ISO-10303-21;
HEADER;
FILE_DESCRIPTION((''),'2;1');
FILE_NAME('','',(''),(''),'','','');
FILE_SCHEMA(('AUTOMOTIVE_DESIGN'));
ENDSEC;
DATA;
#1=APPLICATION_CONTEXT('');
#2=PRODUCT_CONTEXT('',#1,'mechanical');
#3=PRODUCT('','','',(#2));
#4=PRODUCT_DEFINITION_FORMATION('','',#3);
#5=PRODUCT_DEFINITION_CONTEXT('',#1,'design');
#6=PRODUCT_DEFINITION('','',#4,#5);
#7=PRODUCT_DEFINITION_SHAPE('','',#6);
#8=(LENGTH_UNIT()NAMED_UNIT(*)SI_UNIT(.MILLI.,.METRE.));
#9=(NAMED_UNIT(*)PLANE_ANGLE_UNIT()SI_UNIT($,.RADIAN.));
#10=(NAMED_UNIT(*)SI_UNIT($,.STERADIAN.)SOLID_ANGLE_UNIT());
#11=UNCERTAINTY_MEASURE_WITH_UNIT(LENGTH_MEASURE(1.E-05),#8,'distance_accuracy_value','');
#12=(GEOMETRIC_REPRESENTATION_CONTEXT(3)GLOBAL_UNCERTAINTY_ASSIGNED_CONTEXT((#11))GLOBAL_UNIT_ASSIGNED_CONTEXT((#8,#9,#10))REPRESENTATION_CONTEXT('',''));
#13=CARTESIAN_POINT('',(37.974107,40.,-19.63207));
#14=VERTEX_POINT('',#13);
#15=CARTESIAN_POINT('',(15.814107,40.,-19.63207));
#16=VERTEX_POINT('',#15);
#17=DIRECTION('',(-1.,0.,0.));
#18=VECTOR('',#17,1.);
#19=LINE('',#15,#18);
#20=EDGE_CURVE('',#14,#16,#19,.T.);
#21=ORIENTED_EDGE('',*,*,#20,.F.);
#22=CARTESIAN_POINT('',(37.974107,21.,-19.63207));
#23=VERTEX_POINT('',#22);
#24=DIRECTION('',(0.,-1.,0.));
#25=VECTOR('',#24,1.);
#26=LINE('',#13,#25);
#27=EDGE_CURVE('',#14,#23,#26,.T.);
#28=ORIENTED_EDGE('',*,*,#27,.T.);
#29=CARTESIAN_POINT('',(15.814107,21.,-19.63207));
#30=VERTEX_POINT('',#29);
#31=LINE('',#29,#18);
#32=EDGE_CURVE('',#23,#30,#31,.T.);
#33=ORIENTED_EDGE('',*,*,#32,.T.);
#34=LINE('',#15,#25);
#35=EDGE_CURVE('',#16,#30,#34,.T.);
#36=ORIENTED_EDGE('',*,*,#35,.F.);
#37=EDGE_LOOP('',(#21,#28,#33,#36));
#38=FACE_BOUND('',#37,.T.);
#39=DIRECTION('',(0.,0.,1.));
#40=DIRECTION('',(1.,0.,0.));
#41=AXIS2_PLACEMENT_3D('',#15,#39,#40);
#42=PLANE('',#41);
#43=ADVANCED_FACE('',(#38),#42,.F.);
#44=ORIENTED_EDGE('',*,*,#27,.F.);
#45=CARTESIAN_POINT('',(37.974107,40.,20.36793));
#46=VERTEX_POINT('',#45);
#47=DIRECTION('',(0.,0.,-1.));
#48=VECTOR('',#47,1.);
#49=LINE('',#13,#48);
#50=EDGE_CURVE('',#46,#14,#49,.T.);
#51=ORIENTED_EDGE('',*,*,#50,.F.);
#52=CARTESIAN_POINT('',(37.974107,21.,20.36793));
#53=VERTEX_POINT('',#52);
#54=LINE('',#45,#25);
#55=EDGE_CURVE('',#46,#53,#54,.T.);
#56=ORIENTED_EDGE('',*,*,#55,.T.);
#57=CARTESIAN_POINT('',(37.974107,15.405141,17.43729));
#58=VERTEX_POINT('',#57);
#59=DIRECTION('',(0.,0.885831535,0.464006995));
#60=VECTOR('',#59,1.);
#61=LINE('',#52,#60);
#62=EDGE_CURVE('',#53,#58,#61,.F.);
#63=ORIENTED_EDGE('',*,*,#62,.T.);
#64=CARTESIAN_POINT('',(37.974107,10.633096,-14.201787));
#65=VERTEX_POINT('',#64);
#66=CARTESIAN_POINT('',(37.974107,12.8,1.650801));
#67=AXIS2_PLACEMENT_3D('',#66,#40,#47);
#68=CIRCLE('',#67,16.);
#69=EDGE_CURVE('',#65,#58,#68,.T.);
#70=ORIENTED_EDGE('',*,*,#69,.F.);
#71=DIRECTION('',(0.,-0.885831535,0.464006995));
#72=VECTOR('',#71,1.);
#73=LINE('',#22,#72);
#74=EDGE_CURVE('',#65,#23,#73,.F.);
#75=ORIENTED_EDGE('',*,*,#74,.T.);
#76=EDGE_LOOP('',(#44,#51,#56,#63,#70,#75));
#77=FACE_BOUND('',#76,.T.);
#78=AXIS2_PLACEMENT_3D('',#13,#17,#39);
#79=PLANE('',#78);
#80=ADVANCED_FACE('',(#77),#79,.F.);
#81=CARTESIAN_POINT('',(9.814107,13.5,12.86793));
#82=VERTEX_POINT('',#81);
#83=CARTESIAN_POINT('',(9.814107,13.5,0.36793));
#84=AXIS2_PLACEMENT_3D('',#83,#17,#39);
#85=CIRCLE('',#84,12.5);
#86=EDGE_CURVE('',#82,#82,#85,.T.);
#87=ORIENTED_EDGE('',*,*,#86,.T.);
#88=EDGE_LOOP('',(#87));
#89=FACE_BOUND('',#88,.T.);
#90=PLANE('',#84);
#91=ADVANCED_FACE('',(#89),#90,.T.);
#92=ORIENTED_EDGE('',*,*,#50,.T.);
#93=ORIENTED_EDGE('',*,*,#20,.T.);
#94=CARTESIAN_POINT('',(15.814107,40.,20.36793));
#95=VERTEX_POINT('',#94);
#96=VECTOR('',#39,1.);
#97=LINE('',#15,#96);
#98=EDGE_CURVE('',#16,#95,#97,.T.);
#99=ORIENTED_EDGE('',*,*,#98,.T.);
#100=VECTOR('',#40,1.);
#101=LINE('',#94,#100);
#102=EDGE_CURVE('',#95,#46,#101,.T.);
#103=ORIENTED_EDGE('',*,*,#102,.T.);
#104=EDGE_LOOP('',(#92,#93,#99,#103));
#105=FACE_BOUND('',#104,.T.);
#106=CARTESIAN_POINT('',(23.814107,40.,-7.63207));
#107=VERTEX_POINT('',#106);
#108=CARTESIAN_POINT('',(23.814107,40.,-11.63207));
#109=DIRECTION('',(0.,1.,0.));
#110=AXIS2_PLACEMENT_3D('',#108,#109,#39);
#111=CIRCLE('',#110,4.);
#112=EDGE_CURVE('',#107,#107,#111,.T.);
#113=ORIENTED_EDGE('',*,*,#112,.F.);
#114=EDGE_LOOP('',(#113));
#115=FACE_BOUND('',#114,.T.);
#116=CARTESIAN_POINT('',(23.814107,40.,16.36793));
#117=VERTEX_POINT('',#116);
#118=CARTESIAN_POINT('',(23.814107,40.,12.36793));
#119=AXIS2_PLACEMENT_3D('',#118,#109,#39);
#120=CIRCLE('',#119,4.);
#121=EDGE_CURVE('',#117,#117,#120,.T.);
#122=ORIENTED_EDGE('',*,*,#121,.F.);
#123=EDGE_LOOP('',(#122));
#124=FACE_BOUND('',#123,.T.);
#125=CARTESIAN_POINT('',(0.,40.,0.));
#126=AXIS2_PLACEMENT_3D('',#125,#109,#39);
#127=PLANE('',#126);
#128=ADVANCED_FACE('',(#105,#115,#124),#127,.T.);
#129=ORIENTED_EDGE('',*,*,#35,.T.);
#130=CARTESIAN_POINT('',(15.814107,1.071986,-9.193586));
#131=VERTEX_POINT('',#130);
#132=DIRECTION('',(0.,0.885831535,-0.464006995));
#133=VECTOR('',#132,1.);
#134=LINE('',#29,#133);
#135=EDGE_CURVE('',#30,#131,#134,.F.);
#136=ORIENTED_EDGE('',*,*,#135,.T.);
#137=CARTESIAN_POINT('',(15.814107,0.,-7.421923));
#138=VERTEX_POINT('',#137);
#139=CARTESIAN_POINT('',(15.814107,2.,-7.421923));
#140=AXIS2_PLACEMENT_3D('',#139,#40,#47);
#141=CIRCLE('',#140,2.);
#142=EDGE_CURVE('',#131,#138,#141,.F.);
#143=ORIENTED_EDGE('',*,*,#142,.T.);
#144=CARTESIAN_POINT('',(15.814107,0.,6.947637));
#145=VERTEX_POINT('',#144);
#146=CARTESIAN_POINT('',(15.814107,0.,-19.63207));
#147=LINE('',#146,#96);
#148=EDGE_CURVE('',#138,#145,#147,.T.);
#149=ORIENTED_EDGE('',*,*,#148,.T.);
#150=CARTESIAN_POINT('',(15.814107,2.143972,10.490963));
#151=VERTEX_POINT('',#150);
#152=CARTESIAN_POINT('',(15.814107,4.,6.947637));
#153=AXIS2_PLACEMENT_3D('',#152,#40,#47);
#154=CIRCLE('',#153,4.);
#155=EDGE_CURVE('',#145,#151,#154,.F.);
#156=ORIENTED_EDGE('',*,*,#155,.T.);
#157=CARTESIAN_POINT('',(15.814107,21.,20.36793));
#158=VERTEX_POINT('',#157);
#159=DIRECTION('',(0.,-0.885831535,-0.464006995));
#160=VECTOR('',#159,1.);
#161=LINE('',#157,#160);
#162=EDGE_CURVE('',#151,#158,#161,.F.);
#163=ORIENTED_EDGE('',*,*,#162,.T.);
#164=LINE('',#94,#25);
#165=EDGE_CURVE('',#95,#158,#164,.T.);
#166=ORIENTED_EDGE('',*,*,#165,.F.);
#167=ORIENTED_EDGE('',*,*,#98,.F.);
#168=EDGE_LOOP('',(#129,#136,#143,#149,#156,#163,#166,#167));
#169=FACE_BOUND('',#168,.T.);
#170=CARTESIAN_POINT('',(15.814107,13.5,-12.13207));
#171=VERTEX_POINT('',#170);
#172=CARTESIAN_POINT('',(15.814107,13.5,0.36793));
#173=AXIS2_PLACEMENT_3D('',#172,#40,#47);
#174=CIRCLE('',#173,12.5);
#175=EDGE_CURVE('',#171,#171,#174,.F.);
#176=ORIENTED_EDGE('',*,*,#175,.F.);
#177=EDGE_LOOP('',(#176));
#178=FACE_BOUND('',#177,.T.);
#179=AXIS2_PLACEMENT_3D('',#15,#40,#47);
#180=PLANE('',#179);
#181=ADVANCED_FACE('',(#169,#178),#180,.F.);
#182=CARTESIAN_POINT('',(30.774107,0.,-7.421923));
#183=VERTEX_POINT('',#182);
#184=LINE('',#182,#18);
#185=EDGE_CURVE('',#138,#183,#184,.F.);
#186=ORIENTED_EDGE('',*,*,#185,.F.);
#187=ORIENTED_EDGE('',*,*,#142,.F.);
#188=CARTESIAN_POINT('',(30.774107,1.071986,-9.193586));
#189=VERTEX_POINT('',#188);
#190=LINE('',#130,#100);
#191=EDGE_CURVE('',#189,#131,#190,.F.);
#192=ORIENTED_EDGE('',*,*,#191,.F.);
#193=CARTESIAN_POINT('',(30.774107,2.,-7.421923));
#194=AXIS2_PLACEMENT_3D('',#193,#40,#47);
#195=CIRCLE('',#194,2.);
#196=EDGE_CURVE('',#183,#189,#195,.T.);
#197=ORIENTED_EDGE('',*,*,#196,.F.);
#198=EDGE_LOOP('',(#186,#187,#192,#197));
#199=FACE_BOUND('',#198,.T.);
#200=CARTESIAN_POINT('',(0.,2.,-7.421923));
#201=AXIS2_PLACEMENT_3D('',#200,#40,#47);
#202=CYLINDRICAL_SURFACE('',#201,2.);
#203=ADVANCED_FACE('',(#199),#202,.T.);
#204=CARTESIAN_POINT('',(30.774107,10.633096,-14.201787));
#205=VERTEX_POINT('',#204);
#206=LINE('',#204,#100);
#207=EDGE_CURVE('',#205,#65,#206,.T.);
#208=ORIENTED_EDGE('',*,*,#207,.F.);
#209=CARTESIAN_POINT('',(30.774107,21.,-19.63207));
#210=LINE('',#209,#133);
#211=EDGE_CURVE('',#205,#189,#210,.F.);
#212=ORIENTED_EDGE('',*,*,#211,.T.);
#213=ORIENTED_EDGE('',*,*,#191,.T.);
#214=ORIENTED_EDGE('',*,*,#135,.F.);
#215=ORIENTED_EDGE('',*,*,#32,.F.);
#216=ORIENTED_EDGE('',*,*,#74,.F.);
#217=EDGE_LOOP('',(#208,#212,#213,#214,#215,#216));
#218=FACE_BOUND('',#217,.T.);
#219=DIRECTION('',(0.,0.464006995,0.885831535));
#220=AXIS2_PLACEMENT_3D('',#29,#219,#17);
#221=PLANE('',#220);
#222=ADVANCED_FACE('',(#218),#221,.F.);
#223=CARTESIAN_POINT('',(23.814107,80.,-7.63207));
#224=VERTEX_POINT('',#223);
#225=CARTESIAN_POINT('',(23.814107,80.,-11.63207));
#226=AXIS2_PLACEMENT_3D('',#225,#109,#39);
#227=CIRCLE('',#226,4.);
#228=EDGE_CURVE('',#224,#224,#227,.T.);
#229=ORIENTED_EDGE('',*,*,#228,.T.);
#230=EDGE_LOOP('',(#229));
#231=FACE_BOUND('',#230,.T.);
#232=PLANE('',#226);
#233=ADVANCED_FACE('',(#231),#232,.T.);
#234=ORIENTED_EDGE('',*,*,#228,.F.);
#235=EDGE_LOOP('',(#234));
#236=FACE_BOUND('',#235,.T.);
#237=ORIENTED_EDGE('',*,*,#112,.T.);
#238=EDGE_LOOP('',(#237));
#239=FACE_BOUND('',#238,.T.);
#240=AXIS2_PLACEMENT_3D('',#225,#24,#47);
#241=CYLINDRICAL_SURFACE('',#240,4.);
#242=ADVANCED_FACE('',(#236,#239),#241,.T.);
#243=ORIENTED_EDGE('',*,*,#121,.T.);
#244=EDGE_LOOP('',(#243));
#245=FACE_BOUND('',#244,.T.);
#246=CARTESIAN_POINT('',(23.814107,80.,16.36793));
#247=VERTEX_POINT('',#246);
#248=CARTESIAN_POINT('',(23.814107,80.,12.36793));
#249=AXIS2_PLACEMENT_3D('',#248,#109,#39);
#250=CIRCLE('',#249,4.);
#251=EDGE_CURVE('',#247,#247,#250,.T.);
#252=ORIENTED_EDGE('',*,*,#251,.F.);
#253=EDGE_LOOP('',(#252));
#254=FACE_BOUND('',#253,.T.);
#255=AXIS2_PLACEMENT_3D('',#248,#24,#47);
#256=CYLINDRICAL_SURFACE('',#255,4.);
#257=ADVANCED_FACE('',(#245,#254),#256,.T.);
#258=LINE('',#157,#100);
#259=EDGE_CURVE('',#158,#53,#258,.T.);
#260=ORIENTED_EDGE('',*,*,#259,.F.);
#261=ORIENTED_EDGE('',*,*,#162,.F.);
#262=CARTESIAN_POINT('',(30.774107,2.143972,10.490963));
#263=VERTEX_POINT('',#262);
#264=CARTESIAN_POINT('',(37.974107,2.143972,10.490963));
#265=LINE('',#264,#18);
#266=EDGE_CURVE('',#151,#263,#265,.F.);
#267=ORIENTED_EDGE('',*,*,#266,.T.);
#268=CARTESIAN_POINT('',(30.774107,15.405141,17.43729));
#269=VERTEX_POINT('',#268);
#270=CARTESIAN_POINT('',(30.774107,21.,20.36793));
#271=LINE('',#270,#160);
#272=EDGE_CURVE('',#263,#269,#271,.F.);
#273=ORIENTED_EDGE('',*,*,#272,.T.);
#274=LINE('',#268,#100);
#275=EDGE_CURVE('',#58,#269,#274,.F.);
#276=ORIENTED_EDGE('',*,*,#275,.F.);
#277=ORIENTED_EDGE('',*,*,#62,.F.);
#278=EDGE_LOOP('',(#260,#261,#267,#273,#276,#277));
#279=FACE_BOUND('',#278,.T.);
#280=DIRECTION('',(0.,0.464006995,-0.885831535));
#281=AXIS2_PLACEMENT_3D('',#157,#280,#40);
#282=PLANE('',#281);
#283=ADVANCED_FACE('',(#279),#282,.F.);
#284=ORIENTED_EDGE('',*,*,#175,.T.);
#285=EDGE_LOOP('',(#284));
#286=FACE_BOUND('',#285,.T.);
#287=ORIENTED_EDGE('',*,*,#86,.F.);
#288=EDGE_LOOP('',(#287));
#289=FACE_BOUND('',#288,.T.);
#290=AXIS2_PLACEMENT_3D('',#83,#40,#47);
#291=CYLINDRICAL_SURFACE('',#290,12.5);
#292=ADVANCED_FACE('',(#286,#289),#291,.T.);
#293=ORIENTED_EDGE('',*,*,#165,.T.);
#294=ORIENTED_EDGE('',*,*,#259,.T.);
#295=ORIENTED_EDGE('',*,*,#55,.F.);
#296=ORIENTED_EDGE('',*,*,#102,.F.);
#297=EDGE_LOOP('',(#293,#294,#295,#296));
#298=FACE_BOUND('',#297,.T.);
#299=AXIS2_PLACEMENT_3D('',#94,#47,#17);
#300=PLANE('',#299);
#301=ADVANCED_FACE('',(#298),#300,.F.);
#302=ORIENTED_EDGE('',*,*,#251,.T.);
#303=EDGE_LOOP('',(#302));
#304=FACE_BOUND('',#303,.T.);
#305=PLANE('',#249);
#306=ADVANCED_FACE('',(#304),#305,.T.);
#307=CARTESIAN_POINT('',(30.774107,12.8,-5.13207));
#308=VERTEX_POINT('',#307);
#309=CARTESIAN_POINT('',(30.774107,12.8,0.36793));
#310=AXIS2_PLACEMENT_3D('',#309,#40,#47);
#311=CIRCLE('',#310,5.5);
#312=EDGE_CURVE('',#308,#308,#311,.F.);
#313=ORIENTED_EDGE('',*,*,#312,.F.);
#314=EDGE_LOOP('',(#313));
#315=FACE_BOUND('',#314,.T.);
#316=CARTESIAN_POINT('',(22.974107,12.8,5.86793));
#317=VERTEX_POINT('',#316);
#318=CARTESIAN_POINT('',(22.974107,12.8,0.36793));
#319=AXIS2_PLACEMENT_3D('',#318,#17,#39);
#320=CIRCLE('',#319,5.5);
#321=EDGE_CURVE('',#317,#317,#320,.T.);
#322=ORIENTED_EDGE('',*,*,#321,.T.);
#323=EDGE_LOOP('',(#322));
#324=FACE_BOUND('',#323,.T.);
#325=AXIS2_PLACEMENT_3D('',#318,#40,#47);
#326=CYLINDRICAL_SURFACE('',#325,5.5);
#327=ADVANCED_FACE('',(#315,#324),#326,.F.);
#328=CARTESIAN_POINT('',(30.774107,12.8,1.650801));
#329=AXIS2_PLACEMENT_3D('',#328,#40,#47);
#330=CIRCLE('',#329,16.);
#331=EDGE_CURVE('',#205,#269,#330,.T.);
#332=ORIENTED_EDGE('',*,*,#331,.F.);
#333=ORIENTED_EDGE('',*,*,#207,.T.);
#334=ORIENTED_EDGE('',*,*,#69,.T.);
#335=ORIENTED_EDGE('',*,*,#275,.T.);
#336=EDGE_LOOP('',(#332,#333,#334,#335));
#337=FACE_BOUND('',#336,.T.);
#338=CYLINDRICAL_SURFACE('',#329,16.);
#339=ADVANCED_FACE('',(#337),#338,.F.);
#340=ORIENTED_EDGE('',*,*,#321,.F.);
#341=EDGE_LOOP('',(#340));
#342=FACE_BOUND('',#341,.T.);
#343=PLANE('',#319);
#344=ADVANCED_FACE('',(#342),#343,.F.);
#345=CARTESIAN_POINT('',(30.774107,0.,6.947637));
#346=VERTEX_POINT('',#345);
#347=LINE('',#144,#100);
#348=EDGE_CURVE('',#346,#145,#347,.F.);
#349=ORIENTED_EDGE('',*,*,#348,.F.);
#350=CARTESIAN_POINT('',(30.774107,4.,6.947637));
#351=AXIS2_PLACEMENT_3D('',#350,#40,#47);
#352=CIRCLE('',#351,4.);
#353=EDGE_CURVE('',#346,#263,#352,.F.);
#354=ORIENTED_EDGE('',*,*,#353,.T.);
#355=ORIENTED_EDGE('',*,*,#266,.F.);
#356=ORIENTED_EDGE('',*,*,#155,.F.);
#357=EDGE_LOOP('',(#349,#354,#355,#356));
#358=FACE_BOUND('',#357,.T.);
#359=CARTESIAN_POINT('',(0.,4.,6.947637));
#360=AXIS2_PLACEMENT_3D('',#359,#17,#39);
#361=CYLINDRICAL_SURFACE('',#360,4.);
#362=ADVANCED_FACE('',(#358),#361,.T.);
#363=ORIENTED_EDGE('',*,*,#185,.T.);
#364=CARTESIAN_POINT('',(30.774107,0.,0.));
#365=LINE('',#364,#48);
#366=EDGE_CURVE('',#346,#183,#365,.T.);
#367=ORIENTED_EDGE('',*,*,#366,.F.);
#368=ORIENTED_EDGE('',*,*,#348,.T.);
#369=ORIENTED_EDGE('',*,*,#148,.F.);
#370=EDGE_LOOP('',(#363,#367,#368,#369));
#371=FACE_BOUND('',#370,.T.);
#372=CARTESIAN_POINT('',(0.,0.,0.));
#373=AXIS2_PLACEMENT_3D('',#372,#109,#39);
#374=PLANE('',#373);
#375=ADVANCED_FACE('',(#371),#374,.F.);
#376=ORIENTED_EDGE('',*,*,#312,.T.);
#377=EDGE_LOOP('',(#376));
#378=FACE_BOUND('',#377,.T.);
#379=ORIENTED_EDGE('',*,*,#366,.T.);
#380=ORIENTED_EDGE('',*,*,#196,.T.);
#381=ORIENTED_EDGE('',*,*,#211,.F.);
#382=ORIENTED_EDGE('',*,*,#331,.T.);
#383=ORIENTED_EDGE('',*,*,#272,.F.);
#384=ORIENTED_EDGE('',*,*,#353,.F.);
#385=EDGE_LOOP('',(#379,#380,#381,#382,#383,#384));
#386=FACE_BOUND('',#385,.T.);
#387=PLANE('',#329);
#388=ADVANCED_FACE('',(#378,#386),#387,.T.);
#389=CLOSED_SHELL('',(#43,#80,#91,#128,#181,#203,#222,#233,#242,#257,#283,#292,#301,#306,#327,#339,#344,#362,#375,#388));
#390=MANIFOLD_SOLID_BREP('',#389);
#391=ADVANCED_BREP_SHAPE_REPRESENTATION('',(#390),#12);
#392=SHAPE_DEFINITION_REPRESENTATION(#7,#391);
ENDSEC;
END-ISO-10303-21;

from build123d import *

# Parameters (mm, degrees)
ESQUISSE1_W             = 22.16
ESQUISSE1_H             = 40
BOSS_EXTRU_1_DEPTH      = 40
CHANFREIN1_SIZE         = 11
CHANFREIN1_SIZE2        = 21
CHANFREIN2_SIZE         = 11
CHANFREIN2_SIZE2        = 21
CONG_1_R                = 4
ESQUISSE2_R             = 4
BOSS_EXTRU_2_DEPTH      = 40
ESQUISSE2_3_R           = 4
BOSS_EXTRU_3_DEPTH      = 40
ESQUISSE3_R             = 12.5
BOSS_EXTRU_4_DEPTH      = 6
ESQUISSE4_R             = 16
ENL_V_MAT_EXTRU_1_DEPTH = 7.2
ESQUISSE6_W             = 12.088624029
ESQUISSE6_H             = 7.650078289
ENL_V_MAT_EXTRU_2_DEPTH = 86.171439898
CONG_2_R                = 2
ESQUISSE8_R             = 5.5
ENL_V_MAT_EXTRU_5_DEPTH = 15


with BuildPart() as part:
    # Esquisse1 → Boss.-Extru.1 (new body)
    with BuildSketch(Plane(origin=(0, 0, 0), x_dir=(1, 0, 0), z_dir=(0, 1, 0))):
        with Locations((26.894106866, -0.367930046)):
            Rectangle(ESQUISSE1_W, ESQUISSE1_H)
    extrude(amount=BOSS_EXTRU_1_DEPTH)

    # Chanfrein1
    chanfrein1_edges = [part.edges().sort_by_distance(p)[0] for p in [
        (26.894106866, 0, 20.367930046),
    ]]
    chanfrein1_side = [part.faces().sort_by_distance(p)[0] for p in [
        (26.894106866, 0, 0.367930046),
    ]]
    chamfer(chanfrein1_edges, length=CHANFREIN1_SIZE, length2=CHANFREIN1_SIZE2, reference=chanfrein1_side[0])

    # Chanfrein2
    chanfrein2_edges = [part.edges().sort_by_distance(p)[0] for p in [
        (26.894106866, 0, -19.632069954),
    ]]
    chanfrein2_side = [part.faces().sort_by_distance(p)[0] for p in [
        (26.894106866, 0, -5.132069954),
    ]]
    chamfer(chanfrein2_edges, length=CHANFREIN2_SIZE, length2=CHANFREIN2_SIZE2, reference=chanfrein2_side[0])

    # Congé1
    cong_1_edges = [part.edges().sort_by_distance(p)[0] for p in [
        (26.894106866, 0, 9.367930046),
    ]]
    fillet(cong_1_edges, radius=CONG_1_R)

    # Esquisse2 → Boss.-Extru.2 (add)
    with BuildSketch(Plane(origin=(0, 40, 0), x_dir=(1, 0, 0), z_dir=(0, 1, 0))):
        with Locations((23.814106866, 11.632069954)):
            Circle(ESQUISSE2_R)
    extrude(amount=BOSS_EXTRU_2_DEPTH)

    # Esquisse2<3> → Boss.-Extru.3 (add)
    with BuildSketch(Plane(origin=(0, 40, 0), x_dir=(1, 0, 0), z_dir=(0, 1, 0))):
        with Locations((23.814106866, -12.367930046)):
            Circle(ESQUISSE2_3_R)
        with Locations((23.814106866, 11.632069954)):
            Circle(ESQUISSE2_3_R)
    extrude(amount=BOSS_EXTRU_3_DEPTH)

    # Esquisse3 → Boss.-Extru.4 (add)
    with BuildSketch(Plane.ZY.offset(-15.814106866)):
        with Locations((0.367930046, 13.5)):
            Circle(ESQUISSE3_R)
    extrude(amount=BOSS_EXTRU_4_DEPTH)

    # Esquisse4 → Enlèv. mat.-Extru.1 (cut)
    with BuildSketch(Plane(origin=(37.974106866, 0, 0), x_dir=(0, 0, -1), z_dir=(1, 0, 0))):
        with Locations((-1.650800507, 12.8)):
            Circle(ESQUISSE4_R)
    extrude(amount=-ENL_V_MAT_EXTRU_1_DEPTH, mode=Mode.SUBTRACT)

    # Esquisse6 → Enlèv. mat.-Extru.2 (cut, through all)
    with BuildSketch(Plane(origin=(30.774106866, 0, 0), x_dir=(0, 0, -1), z_dir=(1, 0, 0))):
        with Locations((6.871590707, 0.920255373)):
            Rectangle(ESQUISSE6_W, ESQUISSE6_H)
    extrude(amount=ENL_V_MAT_EXTRU_2_DEPTH, mode=Mode.SUBTRACT)

    # Congé2
    cong_2_edges = [part.edges().sort_by_distance(p)[0] for p in [
        (23.294106866, 0, -8.632069954),
    ]]
    fillet(cong_2_edges, radius=CONG_2_R)

    # Esquisse8 → Enlèv. mat.-Extru.5 (cut)
    with BuildSketch(Plane(origin=(37.974106866, 0, -37.974106866), x_dir=(0, 0, 1), z_dir=(-1, 0, 0))):
        with Locations((38.342036913, 12.8)):
            Circle(ESQUISSE8_R)
    extrude(amount=ENL_V_MAT_EXTRU_5_DEPTH, mode=Mode.SUBTRACT)


solid = part.part
